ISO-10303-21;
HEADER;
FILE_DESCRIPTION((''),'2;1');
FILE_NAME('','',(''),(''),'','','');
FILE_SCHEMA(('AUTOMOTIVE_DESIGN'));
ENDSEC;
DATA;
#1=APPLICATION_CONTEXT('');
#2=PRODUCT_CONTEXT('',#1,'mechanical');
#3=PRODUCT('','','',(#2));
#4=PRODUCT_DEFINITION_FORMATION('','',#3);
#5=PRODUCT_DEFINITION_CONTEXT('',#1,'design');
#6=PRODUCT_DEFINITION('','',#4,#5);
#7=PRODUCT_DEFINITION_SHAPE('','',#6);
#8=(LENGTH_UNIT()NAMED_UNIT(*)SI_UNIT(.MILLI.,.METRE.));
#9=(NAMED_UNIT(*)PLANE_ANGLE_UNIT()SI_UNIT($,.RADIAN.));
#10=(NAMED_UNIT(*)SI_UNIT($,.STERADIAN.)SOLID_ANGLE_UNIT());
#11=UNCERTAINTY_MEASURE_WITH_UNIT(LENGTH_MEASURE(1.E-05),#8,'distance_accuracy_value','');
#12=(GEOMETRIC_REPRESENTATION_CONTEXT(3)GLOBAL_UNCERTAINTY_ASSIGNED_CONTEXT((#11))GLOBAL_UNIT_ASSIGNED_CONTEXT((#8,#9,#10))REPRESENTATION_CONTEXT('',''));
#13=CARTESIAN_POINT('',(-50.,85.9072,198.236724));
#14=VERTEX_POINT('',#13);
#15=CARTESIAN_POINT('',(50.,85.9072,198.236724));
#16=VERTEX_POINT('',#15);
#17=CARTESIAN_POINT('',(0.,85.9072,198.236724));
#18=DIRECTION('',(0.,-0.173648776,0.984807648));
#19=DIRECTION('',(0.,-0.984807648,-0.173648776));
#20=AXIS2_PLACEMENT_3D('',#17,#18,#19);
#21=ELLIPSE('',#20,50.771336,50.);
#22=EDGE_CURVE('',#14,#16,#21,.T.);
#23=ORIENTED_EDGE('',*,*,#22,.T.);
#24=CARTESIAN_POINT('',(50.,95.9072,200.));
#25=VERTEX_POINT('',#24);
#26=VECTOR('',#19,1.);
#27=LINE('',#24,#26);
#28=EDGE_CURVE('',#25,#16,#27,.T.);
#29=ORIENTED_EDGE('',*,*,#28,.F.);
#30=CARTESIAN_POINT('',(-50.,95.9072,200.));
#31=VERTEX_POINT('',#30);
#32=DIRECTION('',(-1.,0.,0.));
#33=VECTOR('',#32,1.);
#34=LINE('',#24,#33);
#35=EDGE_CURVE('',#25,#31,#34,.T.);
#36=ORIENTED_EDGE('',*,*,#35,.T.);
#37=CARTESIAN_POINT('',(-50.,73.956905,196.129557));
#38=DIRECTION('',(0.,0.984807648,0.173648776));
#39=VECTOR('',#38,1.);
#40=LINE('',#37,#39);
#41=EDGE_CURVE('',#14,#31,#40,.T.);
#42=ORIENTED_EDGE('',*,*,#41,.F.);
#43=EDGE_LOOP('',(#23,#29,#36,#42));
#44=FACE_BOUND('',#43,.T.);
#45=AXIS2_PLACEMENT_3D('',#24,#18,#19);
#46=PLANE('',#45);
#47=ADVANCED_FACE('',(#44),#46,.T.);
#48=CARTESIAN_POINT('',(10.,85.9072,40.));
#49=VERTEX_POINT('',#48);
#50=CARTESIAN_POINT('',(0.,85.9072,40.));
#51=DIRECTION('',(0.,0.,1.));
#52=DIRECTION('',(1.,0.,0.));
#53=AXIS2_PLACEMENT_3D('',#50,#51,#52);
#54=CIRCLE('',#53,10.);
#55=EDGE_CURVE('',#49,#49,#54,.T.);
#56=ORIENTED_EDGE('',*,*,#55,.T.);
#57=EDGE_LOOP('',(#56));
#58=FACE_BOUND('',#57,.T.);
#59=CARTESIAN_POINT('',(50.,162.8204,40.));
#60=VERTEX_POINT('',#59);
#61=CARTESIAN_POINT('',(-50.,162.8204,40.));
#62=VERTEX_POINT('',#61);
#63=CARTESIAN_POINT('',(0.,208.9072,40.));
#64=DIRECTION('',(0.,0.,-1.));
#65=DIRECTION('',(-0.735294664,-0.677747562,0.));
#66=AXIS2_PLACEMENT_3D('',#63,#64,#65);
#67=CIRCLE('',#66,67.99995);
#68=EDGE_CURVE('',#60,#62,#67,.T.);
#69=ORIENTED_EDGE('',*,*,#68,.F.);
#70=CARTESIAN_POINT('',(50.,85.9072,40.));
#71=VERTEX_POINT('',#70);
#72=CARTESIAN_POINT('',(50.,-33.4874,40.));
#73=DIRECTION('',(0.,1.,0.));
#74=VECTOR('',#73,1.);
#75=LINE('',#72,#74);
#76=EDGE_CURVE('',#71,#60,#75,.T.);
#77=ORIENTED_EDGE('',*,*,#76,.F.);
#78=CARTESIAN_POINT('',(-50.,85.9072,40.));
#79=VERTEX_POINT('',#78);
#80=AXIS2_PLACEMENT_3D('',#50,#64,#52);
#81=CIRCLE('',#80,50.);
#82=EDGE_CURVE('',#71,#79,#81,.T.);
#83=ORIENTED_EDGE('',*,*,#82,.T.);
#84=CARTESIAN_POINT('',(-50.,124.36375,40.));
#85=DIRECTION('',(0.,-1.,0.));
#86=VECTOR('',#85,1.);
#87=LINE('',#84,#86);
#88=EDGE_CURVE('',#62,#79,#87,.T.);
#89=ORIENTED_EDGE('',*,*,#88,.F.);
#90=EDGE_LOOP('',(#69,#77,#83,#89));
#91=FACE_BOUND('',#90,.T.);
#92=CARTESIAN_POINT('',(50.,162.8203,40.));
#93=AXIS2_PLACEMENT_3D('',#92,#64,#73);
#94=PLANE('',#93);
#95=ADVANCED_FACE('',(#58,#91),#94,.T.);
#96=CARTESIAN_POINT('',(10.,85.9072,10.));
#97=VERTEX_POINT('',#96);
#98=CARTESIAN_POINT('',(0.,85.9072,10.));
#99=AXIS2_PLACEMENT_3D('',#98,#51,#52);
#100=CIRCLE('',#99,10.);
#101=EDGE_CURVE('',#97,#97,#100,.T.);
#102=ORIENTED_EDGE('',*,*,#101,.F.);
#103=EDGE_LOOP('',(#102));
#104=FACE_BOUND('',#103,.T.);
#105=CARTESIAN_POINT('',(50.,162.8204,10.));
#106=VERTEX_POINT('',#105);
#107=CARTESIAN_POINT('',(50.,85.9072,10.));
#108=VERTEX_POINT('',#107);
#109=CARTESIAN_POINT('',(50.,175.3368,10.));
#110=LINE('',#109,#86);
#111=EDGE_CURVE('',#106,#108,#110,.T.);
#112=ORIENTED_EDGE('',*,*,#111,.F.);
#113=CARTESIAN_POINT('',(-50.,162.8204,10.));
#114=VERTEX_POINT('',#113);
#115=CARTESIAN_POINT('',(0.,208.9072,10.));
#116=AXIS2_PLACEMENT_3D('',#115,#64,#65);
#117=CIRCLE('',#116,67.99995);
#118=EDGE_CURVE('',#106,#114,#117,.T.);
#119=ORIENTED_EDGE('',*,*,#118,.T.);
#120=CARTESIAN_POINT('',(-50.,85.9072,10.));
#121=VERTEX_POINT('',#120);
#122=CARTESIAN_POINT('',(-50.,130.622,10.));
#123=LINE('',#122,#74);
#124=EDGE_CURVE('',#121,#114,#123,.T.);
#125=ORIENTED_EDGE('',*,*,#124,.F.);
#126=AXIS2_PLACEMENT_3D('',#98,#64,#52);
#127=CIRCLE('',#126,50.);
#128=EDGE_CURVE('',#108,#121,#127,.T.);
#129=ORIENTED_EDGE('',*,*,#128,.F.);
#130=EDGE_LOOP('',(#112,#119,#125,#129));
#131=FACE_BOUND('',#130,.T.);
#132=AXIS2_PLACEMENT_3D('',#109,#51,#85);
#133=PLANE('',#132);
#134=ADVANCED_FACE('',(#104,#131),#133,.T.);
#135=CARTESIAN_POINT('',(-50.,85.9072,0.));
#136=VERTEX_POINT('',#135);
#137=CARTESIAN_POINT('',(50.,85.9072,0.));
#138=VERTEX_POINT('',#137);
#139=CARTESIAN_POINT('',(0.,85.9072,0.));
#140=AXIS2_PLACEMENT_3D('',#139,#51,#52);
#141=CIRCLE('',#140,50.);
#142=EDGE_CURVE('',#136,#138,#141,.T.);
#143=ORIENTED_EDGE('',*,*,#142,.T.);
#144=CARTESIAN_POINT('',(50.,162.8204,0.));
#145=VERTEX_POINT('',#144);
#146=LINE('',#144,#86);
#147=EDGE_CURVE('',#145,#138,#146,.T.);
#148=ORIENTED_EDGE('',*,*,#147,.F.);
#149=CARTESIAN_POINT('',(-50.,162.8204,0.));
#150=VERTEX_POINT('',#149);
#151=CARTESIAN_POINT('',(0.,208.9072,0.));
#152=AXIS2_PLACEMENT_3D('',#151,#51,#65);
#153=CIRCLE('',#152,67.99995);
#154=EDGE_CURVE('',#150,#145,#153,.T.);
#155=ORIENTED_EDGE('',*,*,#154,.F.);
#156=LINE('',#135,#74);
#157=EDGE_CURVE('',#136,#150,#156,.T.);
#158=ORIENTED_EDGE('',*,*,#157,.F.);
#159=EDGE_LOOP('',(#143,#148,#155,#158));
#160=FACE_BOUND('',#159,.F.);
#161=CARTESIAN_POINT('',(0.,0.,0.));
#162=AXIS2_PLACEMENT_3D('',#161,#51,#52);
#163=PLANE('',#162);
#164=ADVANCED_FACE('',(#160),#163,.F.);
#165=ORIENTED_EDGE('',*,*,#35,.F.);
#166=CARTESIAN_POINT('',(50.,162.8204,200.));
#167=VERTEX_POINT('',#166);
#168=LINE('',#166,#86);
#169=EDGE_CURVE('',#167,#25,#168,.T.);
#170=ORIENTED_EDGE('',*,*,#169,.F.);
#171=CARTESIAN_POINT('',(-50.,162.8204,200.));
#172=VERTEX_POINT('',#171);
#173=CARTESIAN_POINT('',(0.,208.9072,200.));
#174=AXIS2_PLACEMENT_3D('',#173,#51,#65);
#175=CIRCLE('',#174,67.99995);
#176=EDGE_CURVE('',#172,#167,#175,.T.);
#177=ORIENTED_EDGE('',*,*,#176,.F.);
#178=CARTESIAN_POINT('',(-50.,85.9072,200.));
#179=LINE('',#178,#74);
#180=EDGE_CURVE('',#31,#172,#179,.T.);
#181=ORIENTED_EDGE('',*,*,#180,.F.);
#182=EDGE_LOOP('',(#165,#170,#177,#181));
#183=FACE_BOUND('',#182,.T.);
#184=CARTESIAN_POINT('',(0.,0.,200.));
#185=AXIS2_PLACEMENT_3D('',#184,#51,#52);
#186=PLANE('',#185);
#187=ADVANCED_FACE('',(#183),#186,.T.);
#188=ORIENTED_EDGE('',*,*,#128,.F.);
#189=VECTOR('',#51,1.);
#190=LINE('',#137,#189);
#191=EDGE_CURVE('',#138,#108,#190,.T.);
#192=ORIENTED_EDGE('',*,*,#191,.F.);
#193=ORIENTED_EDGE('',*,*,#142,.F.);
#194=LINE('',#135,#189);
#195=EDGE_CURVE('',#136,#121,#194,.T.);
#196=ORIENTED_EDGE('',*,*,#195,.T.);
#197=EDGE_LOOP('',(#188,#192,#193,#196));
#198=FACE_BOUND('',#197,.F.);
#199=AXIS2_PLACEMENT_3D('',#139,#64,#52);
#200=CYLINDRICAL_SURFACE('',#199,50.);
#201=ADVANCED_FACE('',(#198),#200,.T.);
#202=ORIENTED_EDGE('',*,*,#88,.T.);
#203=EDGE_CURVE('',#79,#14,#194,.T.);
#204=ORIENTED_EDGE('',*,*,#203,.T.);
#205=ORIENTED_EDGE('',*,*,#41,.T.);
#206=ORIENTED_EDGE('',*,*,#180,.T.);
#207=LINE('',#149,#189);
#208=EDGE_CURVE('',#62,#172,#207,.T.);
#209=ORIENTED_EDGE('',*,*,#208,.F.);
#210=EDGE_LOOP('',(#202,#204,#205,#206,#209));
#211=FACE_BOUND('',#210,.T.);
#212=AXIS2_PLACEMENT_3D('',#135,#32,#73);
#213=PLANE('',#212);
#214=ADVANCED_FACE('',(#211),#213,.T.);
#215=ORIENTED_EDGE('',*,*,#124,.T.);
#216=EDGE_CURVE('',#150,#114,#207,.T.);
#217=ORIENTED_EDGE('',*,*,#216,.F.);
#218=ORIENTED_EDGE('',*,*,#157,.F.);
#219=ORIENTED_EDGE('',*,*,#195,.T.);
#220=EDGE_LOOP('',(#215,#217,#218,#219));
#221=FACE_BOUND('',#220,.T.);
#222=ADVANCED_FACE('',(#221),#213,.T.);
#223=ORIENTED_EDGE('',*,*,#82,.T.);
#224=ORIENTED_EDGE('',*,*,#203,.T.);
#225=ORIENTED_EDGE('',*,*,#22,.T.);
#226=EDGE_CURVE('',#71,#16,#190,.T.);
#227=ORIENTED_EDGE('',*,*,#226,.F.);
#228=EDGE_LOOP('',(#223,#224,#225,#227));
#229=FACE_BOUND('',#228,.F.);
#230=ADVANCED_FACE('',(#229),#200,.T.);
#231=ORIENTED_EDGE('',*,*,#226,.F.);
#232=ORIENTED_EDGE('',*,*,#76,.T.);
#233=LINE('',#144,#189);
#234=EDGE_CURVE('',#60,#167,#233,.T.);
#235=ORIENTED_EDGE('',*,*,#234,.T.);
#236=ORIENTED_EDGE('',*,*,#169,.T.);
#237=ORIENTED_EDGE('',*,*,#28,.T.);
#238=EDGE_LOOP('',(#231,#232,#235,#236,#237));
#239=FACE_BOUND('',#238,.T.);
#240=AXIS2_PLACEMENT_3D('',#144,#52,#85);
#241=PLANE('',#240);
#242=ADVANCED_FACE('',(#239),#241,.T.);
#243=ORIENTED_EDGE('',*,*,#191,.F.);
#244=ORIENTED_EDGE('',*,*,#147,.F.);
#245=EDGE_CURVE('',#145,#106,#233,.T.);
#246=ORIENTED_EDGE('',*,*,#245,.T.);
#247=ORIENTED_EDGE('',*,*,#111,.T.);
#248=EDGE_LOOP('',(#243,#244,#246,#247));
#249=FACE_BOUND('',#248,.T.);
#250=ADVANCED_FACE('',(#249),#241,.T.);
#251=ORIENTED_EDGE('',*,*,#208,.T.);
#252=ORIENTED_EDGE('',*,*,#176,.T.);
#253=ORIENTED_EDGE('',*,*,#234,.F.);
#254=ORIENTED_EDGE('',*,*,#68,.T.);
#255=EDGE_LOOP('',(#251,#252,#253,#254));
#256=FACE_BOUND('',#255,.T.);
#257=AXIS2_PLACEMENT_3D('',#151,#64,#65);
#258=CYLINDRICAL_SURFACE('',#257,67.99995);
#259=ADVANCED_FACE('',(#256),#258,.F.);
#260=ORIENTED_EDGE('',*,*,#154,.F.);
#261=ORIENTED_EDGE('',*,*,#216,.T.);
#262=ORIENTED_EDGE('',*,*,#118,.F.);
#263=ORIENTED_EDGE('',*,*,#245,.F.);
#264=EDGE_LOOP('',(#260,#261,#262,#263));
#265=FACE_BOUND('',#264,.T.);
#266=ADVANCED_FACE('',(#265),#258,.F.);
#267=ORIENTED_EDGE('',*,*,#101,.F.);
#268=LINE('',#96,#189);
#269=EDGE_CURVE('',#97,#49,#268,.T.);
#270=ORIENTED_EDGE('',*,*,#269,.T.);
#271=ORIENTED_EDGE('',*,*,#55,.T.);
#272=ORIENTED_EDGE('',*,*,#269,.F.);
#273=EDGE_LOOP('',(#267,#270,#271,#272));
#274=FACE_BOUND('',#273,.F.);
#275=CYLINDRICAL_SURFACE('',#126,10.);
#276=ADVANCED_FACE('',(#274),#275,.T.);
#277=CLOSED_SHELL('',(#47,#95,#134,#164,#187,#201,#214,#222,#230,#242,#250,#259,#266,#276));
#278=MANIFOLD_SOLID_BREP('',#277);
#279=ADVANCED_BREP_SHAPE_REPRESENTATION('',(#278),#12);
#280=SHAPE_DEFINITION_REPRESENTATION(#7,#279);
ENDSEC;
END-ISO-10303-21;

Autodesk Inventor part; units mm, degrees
ref_plane "YZ Plane" through (0, 0, 0) normal (1, 0, 0) x (0, 1, 0)
ref_plane "XZ Plane" through (0, 0, 0) normal (0, 1, 0) x (-1, 0, 0)
ref_plane "XY Plane" through (0, 0, 0) normal (0, 0, 1) x (1, 0, 0)
sketch "Sketch1" plane through (0, 0, 0) normal (0, 0, 1) x (1, 0, 0)
  line L0 (0, 15.9441) -> (0, -15.9441) construction
  line L1 (11.6084, 0) -> (-11.6084, 0) construction
  line L2 (50, 162.8204) -> (50, 85.9072)
  line L3 (50, 85.9072) -> (-50, 85.9072)
  line L4 (-50, 85.9072) -> (-50, 162.8204)
  circle A0 centre (0, 85.9072) radius 50
  arc A1 (-50, 162.8204) -> (50, 162.8204) centre (0, 208.9072) ccw
  point P0 (0, 0)
  point P1 (0, 0)
  point P2 (0, 165.9072)
  dimension "d5" = 100
  dimension "d7" = 136
  dimension "d8" = 123
extrude "Extrusion1" add sketch "Sketch1" along normal blind 200
sketch "Sketch2" plane through (50, 85.9072, 0) normal (1, 0, 0) x (0, 0, -1)
  line L0 (-200, 10) -> (-186.1081, -68.7846)
  line L1 (-200, 10) -> (-200, -68.7846)
  line L2 (-200, -68.7846) -> (-186.1081, -68.7846)
  point P0 (0, -85.9072)
extrude "Extrusion2" cut sketch "Sketch2" against normal through all
sketch "Sketch3" plane through (50, 85.9072, 0) normal (1, 0, 0) x (0, 0, -1)
  line L0 (-40, 89.4296) -> (-10, 89.4296)
  line L1 (-10, 89.4296) -> (-10, -119.3946)
  line L2 (-10, -119.3946) -> (-40, -119.3946)
  line L3 (-40, -119.3946) -> (-40, 89.4296)
  line L4 (0, -50) -> (0, 0) projected
  line L5 (0, 76.9131) -> (-200, 76.9131) projected
  point P0 (0, -85.9072)
  dimension "d9" = 30
  dimension "d10" = 10
extrude "Extrusion3" cut sketch "Sketch3" against normal through all
sketch "Sketch4" plane through (50, 85.9072, 10) normal (0, 0, 1) x (1, 0, 0)
  arc A0 (-100, 0) -> (0, 0) centre (-50, 0) ccw projected
  circle A1 centre (-50, 0) radius 10
  point P0 (-50, -85.9072)
extrude "Extrusion4" add sketch "Sketch4" along normal blind 30
properties part number "CANH TAY 1"
